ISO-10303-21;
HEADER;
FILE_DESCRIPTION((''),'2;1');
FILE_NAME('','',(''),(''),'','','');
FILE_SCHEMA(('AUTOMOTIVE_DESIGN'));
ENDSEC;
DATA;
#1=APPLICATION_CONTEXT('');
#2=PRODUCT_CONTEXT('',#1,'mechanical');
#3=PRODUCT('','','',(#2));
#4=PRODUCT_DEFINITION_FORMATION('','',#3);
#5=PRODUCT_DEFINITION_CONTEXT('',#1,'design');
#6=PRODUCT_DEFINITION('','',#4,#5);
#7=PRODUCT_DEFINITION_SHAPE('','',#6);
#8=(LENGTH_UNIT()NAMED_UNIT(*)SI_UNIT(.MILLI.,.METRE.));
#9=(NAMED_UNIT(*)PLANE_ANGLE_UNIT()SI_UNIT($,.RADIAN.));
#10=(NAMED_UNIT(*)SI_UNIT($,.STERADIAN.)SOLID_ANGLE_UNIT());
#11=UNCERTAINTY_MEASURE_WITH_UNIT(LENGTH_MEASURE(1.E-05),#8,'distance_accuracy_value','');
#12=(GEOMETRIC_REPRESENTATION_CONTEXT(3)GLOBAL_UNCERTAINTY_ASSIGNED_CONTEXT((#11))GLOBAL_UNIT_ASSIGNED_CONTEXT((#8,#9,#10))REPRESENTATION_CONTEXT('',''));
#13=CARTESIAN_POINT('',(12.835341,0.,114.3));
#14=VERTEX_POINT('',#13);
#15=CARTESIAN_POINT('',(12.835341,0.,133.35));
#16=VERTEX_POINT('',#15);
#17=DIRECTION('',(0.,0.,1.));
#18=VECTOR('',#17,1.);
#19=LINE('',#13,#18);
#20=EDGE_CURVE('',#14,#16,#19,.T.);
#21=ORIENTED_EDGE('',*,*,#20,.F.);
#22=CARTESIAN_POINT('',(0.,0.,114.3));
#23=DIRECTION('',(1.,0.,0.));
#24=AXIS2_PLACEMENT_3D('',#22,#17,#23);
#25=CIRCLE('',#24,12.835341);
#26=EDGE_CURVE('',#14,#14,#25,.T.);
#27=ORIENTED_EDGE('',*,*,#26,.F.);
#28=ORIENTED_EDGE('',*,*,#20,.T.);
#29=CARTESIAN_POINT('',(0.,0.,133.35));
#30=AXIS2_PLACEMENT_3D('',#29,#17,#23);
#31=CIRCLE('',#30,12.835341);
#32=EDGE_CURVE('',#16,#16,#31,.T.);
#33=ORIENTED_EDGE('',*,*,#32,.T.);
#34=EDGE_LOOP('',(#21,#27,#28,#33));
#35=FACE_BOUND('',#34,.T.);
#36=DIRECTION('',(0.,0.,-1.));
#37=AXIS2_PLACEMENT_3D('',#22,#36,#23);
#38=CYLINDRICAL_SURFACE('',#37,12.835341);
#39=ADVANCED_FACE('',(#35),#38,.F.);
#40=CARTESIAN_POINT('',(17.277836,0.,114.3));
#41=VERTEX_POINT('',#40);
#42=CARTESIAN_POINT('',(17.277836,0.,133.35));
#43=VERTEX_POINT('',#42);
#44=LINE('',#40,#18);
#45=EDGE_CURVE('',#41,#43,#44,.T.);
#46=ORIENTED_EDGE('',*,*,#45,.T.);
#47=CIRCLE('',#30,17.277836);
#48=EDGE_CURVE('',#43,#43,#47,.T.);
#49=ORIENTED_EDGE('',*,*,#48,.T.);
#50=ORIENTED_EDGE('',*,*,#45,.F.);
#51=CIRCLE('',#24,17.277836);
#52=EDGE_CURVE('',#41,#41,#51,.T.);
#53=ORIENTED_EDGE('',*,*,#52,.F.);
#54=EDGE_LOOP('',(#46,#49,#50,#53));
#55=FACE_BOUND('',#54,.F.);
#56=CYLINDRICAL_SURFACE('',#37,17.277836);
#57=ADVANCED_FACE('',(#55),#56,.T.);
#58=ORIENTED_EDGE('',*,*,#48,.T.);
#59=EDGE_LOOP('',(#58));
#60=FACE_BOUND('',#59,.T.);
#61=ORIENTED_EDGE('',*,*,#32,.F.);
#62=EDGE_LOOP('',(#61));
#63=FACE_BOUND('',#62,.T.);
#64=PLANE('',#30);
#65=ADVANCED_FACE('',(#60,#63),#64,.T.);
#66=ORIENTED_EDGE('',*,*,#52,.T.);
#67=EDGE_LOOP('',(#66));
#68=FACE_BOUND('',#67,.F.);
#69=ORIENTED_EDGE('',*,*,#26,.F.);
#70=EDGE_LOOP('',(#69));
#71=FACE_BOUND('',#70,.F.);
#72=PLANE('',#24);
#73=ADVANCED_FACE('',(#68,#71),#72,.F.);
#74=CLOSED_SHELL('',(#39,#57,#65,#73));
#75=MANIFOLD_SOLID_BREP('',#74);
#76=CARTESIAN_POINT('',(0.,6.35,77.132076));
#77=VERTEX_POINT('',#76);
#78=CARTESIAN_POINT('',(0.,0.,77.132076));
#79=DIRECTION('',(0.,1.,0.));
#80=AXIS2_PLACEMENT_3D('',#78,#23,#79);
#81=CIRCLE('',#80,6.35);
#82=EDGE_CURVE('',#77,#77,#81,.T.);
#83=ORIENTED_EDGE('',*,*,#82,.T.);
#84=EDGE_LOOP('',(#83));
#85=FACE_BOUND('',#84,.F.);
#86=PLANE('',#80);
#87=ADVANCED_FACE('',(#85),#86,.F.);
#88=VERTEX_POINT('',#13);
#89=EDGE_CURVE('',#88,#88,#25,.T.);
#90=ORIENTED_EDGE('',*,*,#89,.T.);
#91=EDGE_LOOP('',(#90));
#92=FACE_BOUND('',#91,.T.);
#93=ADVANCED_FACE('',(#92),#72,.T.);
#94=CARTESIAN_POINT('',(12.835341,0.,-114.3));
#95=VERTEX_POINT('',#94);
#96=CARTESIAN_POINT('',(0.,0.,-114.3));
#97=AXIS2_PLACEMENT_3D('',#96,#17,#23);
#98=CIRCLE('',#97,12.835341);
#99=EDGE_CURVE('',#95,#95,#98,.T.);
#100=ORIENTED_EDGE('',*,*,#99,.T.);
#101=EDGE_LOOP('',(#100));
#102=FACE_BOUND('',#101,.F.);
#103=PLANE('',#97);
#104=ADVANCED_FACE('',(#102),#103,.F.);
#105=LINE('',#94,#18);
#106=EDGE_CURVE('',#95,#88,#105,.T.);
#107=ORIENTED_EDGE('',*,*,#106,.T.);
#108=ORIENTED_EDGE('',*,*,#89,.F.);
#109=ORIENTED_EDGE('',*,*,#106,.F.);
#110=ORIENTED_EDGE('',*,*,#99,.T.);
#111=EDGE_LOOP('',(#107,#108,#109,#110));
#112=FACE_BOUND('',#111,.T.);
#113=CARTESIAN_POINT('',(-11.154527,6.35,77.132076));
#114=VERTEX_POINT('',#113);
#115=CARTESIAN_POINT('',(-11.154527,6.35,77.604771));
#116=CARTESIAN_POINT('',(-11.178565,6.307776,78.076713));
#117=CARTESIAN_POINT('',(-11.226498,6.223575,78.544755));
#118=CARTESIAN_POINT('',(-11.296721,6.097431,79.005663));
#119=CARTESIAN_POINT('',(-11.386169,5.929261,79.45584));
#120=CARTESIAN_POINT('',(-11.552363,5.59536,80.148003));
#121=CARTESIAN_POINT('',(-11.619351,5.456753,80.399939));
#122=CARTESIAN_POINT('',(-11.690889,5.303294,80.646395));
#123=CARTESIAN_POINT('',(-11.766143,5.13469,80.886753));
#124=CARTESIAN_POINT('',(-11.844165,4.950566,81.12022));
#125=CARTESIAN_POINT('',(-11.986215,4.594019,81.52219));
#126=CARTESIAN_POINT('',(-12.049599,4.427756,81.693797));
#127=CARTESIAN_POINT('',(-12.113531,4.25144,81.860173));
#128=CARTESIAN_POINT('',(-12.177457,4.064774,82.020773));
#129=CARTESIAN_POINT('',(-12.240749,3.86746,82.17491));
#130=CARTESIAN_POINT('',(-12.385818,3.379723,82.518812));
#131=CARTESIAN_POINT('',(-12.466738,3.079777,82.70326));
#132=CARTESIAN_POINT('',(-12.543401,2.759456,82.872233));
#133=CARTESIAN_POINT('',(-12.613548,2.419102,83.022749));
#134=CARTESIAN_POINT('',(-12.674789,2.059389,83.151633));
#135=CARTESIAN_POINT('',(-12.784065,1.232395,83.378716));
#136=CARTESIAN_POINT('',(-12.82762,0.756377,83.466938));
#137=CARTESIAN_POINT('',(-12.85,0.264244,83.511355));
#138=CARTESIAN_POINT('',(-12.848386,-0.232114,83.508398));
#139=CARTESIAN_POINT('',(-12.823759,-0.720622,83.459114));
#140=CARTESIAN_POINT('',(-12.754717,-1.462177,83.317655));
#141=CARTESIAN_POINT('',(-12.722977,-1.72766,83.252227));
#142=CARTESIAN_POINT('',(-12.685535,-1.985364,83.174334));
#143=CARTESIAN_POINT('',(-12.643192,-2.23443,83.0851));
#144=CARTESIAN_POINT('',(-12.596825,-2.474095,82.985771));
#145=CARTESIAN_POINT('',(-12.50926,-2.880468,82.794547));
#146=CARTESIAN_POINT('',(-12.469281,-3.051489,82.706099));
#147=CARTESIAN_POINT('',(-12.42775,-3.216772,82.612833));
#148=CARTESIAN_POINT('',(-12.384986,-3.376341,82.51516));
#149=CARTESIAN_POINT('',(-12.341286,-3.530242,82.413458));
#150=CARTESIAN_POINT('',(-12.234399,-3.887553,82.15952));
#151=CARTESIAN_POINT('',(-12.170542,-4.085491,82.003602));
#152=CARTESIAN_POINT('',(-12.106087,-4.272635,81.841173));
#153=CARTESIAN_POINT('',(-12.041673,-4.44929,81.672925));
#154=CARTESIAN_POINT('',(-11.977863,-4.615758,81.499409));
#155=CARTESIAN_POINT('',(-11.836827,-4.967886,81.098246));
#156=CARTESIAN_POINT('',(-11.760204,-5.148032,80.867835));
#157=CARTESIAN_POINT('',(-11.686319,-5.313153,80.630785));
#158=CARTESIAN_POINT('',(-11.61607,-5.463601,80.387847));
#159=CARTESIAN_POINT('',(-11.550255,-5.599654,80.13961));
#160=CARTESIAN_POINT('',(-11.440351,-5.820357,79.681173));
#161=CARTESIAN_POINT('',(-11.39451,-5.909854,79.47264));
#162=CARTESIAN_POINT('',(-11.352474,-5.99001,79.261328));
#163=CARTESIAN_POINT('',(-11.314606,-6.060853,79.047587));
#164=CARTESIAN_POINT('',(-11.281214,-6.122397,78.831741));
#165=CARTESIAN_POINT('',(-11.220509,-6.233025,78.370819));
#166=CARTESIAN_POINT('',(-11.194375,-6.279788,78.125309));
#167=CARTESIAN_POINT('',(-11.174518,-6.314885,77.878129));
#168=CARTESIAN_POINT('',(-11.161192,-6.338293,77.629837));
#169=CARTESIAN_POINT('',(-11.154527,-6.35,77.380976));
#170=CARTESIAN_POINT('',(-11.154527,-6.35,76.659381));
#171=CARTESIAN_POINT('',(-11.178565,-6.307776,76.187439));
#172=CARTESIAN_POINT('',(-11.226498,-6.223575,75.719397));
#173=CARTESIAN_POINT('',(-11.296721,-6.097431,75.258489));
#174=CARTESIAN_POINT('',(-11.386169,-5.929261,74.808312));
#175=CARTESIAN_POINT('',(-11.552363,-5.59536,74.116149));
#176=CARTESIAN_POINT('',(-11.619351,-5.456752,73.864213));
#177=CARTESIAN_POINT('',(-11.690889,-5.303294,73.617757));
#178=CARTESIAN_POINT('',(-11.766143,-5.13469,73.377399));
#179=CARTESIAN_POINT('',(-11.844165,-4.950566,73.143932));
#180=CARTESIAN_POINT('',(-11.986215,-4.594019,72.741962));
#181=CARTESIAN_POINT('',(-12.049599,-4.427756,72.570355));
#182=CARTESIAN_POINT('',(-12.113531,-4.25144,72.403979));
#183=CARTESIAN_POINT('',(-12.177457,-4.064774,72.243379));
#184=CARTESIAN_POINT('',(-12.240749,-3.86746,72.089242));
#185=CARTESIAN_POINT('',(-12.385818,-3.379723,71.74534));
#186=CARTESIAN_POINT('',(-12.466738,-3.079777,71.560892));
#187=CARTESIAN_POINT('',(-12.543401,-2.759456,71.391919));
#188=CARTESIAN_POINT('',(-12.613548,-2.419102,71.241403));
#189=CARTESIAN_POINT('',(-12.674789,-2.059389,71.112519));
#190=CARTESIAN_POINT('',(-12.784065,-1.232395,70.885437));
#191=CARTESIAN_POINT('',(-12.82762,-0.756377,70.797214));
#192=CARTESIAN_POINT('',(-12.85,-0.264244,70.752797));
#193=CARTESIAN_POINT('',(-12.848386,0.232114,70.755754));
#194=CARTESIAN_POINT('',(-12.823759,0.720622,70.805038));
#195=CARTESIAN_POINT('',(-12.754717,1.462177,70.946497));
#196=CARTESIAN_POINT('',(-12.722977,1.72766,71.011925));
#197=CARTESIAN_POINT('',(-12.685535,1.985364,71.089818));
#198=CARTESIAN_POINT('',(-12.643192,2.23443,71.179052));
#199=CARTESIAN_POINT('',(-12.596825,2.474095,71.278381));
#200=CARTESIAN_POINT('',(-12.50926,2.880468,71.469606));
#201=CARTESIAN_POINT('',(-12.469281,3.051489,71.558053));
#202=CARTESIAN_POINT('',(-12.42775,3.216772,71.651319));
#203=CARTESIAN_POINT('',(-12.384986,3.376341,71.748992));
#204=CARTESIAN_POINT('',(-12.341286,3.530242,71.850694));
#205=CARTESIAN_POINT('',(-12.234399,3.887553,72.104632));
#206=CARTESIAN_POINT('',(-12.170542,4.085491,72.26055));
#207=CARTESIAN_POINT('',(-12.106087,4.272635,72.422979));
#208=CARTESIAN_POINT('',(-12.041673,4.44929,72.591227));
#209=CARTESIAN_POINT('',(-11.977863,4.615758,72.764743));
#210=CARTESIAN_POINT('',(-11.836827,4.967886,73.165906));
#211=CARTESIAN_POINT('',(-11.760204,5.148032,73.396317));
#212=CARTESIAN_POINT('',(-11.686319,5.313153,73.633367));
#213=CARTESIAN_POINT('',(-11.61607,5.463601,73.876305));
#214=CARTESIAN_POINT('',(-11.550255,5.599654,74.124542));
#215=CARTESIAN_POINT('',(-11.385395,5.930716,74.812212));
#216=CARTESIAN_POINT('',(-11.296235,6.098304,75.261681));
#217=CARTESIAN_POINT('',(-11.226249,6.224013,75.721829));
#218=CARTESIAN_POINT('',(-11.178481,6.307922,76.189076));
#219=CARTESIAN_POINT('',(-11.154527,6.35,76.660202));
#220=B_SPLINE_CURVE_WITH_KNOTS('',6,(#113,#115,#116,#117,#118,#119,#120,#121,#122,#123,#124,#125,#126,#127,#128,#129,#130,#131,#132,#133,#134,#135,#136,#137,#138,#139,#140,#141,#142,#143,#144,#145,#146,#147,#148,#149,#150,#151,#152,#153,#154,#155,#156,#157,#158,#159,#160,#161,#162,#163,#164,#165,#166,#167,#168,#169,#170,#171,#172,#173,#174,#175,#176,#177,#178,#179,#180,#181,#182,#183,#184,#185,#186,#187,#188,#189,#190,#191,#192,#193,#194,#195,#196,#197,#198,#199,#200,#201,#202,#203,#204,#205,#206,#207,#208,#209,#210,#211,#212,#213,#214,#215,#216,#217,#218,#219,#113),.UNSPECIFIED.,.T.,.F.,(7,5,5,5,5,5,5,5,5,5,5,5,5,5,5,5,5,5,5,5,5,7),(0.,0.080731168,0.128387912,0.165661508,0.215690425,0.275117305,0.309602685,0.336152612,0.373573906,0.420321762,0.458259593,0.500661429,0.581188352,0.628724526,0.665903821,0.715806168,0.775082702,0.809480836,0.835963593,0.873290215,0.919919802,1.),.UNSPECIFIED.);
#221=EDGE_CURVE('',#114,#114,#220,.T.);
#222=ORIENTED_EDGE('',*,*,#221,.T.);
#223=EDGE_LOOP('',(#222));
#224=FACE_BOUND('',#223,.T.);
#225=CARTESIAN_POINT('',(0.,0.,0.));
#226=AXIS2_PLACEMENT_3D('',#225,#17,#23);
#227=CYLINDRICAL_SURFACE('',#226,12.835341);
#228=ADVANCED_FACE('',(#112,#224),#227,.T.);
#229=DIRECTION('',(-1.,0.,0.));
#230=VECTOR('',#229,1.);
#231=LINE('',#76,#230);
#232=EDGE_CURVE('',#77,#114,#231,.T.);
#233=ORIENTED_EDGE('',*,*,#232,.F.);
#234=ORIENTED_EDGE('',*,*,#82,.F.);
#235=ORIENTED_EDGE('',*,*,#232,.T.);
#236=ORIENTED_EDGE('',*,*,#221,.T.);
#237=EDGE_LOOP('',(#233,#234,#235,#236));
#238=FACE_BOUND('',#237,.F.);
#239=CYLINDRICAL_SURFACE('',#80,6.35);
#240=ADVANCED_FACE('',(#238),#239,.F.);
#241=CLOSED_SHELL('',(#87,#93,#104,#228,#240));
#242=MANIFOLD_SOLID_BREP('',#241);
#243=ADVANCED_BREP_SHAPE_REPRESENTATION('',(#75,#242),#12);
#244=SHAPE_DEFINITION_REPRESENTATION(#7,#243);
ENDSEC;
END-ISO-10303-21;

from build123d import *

# Parameters (mm, degrees)
F0_R     = 12.835341098
F1_DEPTH = 114.3
F3_R     = 17.2778356716
F3_R_2   = 12.835341098
F4_DEPTH = 19.05
F5_D     = 12.7
F5_DEPTH = 50.8
F5_TIP   = 3.8154649308


with BuildPart() as f1:
    # F0 (on Top) → F1 (new body, symmetric)
    with BuildSketch(Plane.XY):
        Circle(F0_R)
    extrude(amount=F1_DEPTH, both=True)

    # F5 (one way)
    with BuildSketch(Plane.YZ):
        with Locations((0, 77.132076025)):
            Circle(F5_D / 2)
    extrude(amount=-F5_DEPTH, mode=Mode.SUBTRACT)
    with Locations(Plane.YZ):
        with Locations((0, 77.132076025)):
            with Locations((0, 0, -(F5_DEPTH + F5_TIP / 2))):  # 118° drill point
                Cone(0, F5_D / 2, F5_TIP, mode=Mode.SUBTRACT)


with BuildPart() as f4:
    # F3 (on face) → F4 (new body)
    with BuildSketch(Plane.XY.offset(114.3)):
        Circle(F3_R)
        Circle(F3_R_2, mode=Mode.SUBTRACT)
    extrude(amount=F4_DEPTH)


solid = Compound([f1.part, f4.part])
